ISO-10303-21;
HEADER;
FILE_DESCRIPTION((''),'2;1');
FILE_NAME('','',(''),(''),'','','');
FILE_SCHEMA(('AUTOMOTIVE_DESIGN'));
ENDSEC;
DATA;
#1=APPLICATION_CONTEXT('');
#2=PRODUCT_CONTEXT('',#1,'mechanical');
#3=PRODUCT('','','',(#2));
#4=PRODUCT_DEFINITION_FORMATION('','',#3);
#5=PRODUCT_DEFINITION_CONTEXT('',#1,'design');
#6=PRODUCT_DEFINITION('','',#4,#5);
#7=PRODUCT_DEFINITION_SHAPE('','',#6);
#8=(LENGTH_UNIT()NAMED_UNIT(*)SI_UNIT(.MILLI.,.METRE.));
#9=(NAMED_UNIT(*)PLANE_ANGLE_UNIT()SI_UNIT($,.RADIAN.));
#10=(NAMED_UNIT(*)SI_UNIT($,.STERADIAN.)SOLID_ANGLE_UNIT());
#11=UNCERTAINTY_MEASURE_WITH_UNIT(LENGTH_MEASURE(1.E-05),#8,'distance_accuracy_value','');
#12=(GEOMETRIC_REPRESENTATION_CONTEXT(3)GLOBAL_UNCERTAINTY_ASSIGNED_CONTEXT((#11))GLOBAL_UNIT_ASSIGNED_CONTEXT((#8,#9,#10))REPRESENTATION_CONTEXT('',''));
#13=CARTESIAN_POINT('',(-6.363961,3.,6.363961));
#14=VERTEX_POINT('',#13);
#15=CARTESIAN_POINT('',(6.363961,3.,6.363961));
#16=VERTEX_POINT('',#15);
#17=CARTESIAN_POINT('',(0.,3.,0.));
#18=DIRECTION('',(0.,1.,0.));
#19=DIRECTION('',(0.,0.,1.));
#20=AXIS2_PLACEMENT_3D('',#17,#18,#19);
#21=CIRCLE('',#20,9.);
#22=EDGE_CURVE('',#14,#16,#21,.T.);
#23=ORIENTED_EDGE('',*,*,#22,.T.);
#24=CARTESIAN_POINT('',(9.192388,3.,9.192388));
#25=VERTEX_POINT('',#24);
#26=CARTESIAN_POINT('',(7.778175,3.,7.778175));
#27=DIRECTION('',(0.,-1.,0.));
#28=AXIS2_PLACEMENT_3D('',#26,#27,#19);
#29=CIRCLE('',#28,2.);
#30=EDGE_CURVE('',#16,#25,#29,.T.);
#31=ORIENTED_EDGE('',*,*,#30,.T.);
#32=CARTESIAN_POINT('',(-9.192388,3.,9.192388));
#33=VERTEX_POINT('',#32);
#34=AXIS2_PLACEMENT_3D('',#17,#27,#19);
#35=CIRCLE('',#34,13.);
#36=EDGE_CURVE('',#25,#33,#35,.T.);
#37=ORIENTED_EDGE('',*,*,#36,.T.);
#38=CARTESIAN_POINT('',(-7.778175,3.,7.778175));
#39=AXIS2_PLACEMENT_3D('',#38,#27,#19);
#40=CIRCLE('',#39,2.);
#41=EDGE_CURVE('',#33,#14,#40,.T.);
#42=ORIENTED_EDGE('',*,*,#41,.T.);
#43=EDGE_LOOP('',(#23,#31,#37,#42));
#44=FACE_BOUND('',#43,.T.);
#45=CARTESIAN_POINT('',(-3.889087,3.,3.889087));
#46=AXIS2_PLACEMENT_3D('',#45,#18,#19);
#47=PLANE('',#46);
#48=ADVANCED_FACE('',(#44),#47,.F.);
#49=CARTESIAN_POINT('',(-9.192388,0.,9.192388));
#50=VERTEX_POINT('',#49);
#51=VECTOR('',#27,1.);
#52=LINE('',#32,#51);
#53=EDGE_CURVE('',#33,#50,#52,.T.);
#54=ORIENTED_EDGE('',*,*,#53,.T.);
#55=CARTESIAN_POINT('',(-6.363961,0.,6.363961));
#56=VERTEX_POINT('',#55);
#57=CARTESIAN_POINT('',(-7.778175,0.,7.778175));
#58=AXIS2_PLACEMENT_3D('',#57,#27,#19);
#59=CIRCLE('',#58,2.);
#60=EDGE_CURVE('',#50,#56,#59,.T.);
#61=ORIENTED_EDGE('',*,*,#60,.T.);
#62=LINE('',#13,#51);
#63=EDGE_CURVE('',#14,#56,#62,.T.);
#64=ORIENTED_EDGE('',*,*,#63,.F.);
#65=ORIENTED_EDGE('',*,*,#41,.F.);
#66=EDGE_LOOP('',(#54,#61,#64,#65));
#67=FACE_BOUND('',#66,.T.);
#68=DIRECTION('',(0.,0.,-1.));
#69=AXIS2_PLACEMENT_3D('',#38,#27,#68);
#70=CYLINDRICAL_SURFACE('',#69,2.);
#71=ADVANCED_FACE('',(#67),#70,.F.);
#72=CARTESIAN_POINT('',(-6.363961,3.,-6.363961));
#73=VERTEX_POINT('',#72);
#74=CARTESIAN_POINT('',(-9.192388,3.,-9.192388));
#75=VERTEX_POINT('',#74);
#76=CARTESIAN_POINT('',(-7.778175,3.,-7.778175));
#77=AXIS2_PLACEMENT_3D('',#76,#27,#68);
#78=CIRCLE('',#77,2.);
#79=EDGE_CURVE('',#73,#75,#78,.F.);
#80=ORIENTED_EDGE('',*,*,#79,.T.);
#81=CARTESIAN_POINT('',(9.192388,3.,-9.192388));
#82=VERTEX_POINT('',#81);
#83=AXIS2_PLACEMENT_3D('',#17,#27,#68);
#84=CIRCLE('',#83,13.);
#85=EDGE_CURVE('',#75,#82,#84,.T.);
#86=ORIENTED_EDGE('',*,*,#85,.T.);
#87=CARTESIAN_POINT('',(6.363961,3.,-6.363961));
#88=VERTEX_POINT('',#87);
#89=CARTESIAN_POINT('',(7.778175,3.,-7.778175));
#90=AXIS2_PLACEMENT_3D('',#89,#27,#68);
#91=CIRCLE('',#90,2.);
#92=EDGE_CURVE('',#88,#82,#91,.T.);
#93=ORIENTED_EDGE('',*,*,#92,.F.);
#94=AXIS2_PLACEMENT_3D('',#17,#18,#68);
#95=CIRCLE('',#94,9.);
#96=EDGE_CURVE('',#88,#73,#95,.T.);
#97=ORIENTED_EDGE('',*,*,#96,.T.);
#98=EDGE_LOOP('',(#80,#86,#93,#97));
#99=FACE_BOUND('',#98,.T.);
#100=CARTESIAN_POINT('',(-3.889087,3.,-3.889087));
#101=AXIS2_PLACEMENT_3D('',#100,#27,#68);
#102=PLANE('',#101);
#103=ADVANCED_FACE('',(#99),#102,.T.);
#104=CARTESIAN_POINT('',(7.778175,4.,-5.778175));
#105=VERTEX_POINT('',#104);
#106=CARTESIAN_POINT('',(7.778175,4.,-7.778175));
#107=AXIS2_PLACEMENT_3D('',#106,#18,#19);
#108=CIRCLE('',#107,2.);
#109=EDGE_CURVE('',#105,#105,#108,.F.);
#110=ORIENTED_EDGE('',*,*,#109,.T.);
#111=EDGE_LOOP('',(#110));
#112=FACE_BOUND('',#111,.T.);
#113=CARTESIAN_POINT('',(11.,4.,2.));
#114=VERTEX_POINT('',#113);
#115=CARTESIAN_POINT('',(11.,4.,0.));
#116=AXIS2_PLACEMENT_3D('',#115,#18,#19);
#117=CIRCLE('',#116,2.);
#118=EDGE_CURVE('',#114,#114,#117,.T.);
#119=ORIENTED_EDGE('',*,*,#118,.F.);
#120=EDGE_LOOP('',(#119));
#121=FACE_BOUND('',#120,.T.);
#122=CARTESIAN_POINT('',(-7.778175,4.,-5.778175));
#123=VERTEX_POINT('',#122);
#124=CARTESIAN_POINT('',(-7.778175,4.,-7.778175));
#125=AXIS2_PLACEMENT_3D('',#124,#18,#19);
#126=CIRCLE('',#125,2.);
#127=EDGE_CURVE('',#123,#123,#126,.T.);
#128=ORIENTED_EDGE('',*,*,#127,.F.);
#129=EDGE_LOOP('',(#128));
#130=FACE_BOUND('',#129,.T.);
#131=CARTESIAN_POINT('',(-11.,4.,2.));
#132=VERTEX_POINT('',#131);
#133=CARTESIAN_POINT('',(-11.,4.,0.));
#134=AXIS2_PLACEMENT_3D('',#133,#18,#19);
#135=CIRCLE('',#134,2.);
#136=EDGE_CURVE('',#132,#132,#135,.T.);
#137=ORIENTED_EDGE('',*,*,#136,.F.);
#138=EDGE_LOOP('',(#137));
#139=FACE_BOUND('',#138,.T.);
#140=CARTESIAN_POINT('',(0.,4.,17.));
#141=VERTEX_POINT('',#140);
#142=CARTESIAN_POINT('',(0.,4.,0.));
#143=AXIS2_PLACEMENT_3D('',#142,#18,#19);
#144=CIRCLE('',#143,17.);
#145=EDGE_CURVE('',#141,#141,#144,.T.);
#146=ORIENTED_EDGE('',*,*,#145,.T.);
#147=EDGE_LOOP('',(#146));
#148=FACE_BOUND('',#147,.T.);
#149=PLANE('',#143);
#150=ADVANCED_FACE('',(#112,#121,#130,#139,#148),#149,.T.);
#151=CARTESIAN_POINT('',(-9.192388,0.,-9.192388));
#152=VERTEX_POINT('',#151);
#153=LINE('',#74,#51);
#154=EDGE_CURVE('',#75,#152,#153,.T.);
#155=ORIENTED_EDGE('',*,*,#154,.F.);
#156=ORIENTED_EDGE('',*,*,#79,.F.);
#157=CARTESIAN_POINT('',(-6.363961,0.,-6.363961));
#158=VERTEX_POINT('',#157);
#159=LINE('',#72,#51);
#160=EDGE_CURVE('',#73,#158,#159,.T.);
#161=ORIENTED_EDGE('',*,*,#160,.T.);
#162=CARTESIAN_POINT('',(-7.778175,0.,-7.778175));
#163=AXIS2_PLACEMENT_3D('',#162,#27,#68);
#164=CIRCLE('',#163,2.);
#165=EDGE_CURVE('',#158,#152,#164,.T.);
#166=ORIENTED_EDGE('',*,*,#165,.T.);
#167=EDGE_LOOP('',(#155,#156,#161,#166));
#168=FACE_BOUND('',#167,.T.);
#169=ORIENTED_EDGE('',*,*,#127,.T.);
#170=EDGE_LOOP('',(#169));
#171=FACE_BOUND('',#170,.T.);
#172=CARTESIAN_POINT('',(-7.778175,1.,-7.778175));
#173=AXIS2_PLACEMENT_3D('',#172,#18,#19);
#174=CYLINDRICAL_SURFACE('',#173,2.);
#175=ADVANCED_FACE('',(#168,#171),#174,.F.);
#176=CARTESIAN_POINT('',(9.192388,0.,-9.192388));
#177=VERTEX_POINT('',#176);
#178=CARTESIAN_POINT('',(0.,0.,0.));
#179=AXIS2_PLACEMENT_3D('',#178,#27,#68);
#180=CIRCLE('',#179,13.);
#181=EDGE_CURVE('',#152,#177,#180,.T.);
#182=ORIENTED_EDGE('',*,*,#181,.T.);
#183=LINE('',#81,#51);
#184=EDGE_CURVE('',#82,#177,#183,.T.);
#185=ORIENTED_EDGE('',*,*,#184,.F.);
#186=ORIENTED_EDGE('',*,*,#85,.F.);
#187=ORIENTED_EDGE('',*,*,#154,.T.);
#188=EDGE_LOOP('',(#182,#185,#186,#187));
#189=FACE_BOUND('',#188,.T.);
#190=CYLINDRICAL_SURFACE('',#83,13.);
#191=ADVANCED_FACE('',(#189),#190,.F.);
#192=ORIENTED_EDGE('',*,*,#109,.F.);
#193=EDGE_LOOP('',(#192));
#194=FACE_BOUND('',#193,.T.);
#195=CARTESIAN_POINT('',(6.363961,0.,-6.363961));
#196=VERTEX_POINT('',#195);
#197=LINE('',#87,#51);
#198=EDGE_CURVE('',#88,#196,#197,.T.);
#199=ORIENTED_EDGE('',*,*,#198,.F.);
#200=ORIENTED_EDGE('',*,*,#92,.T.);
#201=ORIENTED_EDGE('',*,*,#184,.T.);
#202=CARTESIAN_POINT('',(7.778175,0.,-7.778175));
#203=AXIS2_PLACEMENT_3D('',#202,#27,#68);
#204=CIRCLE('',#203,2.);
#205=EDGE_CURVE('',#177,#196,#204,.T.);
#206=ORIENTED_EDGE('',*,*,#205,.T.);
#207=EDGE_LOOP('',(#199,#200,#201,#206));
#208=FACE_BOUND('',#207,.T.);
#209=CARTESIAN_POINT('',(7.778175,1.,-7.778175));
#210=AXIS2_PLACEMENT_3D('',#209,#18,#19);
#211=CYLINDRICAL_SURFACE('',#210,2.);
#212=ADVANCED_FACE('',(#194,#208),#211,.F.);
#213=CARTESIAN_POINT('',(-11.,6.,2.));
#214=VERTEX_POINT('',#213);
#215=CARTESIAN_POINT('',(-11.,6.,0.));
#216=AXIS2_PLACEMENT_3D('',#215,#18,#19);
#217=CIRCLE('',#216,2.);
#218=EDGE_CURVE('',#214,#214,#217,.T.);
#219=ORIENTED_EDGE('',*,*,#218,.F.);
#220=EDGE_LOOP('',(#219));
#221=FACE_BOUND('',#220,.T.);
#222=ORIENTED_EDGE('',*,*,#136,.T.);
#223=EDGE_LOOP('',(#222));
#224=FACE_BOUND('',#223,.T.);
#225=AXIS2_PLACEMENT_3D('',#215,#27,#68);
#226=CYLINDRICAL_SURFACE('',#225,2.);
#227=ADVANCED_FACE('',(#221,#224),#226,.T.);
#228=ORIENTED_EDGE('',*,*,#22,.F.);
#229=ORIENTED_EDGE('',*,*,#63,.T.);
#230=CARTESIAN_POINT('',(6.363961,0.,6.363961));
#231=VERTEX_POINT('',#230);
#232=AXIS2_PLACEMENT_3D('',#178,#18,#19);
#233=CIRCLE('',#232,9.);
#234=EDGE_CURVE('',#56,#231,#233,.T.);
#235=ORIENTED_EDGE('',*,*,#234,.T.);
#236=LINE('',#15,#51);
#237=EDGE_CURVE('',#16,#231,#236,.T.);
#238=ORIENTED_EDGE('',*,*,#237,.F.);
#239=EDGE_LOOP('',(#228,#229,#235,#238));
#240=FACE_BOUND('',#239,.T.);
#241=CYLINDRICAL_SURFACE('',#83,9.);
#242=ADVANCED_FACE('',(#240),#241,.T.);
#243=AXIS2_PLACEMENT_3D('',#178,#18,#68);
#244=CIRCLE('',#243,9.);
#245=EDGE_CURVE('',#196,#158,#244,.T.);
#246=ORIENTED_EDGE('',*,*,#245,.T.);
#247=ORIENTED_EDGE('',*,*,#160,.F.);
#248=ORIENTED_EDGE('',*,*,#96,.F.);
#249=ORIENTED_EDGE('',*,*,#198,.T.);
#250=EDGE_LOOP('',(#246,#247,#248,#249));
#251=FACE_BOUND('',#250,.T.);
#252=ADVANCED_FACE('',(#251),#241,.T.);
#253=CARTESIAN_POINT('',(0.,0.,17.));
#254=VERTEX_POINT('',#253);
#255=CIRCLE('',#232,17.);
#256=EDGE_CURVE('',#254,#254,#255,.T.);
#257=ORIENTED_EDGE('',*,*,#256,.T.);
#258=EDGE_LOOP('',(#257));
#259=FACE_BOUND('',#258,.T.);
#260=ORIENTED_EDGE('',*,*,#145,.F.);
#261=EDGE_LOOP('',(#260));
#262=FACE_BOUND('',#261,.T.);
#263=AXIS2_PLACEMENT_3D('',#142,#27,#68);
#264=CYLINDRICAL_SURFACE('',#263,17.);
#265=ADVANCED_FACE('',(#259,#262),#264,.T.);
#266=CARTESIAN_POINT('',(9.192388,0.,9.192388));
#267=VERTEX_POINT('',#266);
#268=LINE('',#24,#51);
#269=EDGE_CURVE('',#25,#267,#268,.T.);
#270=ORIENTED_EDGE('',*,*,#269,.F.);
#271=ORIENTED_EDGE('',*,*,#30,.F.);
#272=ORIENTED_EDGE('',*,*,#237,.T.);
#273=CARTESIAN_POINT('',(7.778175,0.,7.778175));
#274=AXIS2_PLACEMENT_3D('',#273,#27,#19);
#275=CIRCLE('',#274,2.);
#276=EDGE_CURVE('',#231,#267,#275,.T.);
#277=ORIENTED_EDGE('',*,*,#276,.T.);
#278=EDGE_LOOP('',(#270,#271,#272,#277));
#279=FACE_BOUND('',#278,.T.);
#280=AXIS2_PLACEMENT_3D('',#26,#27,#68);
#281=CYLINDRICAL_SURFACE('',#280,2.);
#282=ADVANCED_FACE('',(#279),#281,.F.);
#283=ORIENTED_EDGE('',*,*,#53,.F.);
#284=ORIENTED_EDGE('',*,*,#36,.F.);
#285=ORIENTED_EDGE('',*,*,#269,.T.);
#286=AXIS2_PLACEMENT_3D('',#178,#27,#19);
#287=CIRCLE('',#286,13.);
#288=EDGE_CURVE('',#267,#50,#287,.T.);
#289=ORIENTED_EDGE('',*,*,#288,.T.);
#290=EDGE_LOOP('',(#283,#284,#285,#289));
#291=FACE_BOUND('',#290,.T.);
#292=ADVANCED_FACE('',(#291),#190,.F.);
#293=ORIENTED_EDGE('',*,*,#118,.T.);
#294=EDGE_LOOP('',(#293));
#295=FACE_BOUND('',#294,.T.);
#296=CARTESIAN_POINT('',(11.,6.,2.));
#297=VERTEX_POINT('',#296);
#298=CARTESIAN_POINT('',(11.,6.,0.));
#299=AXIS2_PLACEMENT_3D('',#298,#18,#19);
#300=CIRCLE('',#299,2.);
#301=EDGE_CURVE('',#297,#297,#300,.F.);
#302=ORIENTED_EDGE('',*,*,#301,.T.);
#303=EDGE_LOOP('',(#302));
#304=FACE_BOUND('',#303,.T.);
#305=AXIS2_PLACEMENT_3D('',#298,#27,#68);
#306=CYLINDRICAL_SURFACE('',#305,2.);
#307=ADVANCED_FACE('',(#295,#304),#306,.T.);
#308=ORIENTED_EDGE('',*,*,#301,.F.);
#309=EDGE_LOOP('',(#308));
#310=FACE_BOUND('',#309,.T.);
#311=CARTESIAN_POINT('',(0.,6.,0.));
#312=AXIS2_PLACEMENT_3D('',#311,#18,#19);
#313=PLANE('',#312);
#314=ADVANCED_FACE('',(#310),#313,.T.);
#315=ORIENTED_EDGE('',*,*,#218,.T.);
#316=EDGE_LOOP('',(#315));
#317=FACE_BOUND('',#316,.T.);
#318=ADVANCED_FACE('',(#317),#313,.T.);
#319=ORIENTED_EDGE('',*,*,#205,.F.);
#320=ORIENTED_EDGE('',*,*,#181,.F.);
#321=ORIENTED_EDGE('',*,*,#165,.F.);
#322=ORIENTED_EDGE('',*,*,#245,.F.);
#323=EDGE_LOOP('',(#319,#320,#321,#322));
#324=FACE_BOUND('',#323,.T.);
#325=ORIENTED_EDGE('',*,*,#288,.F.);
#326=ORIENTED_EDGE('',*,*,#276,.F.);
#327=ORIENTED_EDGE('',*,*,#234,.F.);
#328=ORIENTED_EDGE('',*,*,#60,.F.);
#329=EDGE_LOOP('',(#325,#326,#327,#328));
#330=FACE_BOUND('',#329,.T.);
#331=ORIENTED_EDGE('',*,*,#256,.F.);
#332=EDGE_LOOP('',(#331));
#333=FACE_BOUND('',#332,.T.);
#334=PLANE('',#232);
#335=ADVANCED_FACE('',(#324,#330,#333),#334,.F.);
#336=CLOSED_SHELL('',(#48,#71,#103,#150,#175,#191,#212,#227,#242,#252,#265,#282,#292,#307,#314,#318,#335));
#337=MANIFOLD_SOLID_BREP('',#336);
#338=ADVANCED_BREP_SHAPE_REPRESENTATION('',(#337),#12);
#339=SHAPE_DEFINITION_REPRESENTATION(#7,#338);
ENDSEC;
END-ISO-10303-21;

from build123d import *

# Parameters (mm, degrees)
SKETCH_1_R          = 17
EXTRUDE_1_DEPTH     = 4
SKETCH_2_R          = 2
CUT_EXTRUDE_1_DEPTH = 3
SKETCH_2_3_R        = 2
EXTRUDE_2_DEPTH     = 2
CUT_EXTRUDE_START   = -3
CUT_EXTRUDE_2_DEPTH = 3


with BuildPart() as part:
    # 草图1 → 凸台-拉伸1 (new body)
    with BuildSketch(Plane(origin=(0, 0, 0), x_dir=(1, 0, 0), z_dir=(0, 1, 0))):
        Circle(SKETCH_1_R)
    extrude(amount=EXTRUDE_1_DEPTH)

    # 草图2 → 切除-拉伸1 (cut)
    with BuildSketch(Plane(origin=(0, 4, 0), x_dir=(1, 0, 0), z_dir=(0, 1, 0))):
        with Locations((-7.778174593, 7.778174593)):
            Circle(SKETCH_2_R)
        with Locations((7.778174593, 7.778174593)):
            Circle(SKETCH_2_R)
    extrude(amount=-CUT_EXTRUDE_1_DEPTH, mode=Mode.SUBTRACT)

    # 草图2<3> → 凸台-拉伸2 (add)
    with BuildSketch(Plane(origin=(0, 4, 0), x_dir=(1, 0, 0), z_dir=(0, 1, 0))):
        with Locations((-11, 0)):
            Circle(SKETCH_2_3_R)
        with Locations((11, 0)):
            Circle(SKETCH_2_3_R)
    extrude(amount=EXTRUDE_2_DEPTH)

    # 草图4 → 切除-拉伸2 (cut)
    with BuildSketch(Plane.XZ.offset(CUT_EXTRUDE_START)):
        with BuildLine():
            ThreePointArc((-9.192388155, -9.192388155), (0, -13), (9.192388155, -9.192388155))
            ThreePointArc((9.192388155, -9.192388155), (9.192388155, -6.363961031), (6.363961031, -6.363961031))
            ThreePointArc((6.363961031, -6.363961031), (0, -9), (-6.363961031, -6.363961031))
            ThreePointArc((-6.363961031, -6.363961031), (-9.192388155, -6.363961031), (-9.192388155, -9.192388155))
        make_face()
        with BuildLine():
            ThreePointArc((-9.192388155, 9.192388155), (0, 13), (9.192388155, 9.192388155))
            ThreePointArc((9.192388155, 9.192388155), (9.192388155, 6.363961031), (6.363961031, 6.363961031))
            ThreePointArc((6.363961031, 6.363961031), (0, 9), (-6.363961031, 6.363961031))
            ThreePointArc((-6.363961031, 6.363961031), (-9.192388155, 6.363961031), (-9.192388155, 9.192388155))
        make_face()
    extrude(amount=CUT_EXTRUDE_2_DEPTH, mode=Mode.SUBTRACT)


solid = part.part
